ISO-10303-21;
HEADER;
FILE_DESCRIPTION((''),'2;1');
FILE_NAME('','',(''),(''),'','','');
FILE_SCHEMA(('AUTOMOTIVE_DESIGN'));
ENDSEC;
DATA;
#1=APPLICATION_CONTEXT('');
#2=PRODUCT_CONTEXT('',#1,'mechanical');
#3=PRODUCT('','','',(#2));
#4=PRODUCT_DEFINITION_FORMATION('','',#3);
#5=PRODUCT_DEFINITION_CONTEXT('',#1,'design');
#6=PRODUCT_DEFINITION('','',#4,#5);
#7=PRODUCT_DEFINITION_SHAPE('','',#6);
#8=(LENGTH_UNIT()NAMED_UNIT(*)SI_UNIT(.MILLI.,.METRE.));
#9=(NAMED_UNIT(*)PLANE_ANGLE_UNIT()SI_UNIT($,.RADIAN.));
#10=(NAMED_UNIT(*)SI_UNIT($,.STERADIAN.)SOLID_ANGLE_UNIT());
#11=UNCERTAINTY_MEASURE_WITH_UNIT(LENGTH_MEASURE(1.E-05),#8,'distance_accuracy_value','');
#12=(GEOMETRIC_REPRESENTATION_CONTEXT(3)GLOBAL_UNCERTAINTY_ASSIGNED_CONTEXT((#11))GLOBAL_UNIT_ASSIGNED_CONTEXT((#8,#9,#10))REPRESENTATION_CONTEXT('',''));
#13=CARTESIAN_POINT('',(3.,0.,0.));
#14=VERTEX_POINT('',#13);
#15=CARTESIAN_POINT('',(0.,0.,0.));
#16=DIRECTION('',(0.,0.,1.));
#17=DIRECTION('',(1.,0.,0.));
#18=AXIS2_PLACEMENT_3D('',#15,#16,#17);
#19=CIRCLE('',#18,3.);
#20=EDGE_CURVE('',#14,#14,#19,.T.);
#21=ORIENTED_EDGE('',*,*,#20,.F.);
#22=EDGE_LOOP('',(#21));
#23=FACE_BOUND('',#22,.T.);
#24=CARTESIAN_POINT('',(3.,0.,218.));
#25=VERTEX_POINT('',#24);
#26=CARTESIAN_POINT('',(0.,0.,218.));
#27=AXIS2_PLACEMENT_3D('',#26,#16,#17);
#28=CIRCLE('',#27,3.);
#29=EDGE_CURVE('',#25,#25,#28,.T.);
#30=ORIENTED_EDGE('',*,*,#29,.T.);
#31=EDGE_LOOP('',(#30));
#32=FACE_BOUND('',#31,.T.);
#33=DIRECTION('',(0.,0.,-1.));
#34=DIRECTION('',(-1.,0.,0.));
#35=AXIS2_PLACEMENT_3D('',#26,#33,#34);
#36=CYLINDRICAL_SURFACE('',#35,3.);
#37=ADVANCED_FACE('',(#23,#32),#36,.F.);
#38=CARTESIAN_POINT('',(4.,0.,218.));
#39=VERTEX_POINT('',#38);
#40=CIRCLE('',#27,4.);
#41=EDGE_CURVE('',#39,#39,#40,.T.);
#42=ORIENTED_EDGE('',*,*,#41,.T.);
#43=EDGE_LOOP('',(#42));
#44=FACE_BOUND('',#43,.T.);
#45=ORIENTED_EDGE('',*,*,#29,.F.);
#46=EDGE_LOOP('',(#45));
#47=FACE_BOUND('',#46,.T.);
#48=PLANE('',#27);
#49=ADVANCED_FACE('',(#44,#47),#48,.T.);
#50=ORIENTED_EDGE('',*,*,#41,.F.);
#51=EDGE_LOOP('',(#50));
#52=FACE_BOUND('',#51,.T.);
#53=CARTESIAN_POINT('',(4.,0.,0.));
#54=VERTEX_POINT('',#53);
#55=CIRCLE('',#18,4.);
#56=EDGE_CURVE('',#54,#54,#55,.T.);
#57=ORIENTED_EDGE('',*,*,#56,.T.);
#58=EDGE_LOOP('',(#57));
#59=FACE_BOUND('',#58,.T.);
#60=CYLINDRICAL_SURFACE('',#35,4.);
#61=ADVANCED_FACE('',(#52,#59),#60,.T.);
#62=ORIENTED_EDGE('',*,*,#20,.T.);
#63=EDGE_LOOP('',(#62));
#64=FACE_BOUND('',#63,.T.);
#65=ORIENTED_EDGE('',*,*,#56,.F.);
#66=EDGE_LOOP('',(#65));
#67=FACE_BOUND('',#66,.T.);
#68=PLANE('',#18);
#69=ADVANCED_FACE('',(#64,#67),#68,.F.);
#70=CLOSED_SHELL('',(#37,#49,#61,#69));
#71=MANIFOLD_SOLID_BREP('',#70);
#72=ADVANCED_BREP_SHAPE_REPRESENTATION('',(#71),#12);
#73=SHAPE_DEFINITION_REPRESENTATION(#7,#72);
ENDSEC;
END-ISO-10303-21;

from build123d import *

# Parameters (mm, degrees)
ESQUISSE1_R        = 4
ESQUISSE1_R_2      = 3
EXTRU_MINCE1_DEPTH = 218


with BuildPart() as part:
    # Esquisse1 → Extru.-Mince1 (new body)
    with BuildSketch(Plane.XY):
        Circle(ESQUISSE1_R)
        Circle(ESQUISSE1_R_2, mode=Mode.SUBTRACT)
    extrude(amount=EXTRU_MINCE1_DEPTH)


solid = part.part
